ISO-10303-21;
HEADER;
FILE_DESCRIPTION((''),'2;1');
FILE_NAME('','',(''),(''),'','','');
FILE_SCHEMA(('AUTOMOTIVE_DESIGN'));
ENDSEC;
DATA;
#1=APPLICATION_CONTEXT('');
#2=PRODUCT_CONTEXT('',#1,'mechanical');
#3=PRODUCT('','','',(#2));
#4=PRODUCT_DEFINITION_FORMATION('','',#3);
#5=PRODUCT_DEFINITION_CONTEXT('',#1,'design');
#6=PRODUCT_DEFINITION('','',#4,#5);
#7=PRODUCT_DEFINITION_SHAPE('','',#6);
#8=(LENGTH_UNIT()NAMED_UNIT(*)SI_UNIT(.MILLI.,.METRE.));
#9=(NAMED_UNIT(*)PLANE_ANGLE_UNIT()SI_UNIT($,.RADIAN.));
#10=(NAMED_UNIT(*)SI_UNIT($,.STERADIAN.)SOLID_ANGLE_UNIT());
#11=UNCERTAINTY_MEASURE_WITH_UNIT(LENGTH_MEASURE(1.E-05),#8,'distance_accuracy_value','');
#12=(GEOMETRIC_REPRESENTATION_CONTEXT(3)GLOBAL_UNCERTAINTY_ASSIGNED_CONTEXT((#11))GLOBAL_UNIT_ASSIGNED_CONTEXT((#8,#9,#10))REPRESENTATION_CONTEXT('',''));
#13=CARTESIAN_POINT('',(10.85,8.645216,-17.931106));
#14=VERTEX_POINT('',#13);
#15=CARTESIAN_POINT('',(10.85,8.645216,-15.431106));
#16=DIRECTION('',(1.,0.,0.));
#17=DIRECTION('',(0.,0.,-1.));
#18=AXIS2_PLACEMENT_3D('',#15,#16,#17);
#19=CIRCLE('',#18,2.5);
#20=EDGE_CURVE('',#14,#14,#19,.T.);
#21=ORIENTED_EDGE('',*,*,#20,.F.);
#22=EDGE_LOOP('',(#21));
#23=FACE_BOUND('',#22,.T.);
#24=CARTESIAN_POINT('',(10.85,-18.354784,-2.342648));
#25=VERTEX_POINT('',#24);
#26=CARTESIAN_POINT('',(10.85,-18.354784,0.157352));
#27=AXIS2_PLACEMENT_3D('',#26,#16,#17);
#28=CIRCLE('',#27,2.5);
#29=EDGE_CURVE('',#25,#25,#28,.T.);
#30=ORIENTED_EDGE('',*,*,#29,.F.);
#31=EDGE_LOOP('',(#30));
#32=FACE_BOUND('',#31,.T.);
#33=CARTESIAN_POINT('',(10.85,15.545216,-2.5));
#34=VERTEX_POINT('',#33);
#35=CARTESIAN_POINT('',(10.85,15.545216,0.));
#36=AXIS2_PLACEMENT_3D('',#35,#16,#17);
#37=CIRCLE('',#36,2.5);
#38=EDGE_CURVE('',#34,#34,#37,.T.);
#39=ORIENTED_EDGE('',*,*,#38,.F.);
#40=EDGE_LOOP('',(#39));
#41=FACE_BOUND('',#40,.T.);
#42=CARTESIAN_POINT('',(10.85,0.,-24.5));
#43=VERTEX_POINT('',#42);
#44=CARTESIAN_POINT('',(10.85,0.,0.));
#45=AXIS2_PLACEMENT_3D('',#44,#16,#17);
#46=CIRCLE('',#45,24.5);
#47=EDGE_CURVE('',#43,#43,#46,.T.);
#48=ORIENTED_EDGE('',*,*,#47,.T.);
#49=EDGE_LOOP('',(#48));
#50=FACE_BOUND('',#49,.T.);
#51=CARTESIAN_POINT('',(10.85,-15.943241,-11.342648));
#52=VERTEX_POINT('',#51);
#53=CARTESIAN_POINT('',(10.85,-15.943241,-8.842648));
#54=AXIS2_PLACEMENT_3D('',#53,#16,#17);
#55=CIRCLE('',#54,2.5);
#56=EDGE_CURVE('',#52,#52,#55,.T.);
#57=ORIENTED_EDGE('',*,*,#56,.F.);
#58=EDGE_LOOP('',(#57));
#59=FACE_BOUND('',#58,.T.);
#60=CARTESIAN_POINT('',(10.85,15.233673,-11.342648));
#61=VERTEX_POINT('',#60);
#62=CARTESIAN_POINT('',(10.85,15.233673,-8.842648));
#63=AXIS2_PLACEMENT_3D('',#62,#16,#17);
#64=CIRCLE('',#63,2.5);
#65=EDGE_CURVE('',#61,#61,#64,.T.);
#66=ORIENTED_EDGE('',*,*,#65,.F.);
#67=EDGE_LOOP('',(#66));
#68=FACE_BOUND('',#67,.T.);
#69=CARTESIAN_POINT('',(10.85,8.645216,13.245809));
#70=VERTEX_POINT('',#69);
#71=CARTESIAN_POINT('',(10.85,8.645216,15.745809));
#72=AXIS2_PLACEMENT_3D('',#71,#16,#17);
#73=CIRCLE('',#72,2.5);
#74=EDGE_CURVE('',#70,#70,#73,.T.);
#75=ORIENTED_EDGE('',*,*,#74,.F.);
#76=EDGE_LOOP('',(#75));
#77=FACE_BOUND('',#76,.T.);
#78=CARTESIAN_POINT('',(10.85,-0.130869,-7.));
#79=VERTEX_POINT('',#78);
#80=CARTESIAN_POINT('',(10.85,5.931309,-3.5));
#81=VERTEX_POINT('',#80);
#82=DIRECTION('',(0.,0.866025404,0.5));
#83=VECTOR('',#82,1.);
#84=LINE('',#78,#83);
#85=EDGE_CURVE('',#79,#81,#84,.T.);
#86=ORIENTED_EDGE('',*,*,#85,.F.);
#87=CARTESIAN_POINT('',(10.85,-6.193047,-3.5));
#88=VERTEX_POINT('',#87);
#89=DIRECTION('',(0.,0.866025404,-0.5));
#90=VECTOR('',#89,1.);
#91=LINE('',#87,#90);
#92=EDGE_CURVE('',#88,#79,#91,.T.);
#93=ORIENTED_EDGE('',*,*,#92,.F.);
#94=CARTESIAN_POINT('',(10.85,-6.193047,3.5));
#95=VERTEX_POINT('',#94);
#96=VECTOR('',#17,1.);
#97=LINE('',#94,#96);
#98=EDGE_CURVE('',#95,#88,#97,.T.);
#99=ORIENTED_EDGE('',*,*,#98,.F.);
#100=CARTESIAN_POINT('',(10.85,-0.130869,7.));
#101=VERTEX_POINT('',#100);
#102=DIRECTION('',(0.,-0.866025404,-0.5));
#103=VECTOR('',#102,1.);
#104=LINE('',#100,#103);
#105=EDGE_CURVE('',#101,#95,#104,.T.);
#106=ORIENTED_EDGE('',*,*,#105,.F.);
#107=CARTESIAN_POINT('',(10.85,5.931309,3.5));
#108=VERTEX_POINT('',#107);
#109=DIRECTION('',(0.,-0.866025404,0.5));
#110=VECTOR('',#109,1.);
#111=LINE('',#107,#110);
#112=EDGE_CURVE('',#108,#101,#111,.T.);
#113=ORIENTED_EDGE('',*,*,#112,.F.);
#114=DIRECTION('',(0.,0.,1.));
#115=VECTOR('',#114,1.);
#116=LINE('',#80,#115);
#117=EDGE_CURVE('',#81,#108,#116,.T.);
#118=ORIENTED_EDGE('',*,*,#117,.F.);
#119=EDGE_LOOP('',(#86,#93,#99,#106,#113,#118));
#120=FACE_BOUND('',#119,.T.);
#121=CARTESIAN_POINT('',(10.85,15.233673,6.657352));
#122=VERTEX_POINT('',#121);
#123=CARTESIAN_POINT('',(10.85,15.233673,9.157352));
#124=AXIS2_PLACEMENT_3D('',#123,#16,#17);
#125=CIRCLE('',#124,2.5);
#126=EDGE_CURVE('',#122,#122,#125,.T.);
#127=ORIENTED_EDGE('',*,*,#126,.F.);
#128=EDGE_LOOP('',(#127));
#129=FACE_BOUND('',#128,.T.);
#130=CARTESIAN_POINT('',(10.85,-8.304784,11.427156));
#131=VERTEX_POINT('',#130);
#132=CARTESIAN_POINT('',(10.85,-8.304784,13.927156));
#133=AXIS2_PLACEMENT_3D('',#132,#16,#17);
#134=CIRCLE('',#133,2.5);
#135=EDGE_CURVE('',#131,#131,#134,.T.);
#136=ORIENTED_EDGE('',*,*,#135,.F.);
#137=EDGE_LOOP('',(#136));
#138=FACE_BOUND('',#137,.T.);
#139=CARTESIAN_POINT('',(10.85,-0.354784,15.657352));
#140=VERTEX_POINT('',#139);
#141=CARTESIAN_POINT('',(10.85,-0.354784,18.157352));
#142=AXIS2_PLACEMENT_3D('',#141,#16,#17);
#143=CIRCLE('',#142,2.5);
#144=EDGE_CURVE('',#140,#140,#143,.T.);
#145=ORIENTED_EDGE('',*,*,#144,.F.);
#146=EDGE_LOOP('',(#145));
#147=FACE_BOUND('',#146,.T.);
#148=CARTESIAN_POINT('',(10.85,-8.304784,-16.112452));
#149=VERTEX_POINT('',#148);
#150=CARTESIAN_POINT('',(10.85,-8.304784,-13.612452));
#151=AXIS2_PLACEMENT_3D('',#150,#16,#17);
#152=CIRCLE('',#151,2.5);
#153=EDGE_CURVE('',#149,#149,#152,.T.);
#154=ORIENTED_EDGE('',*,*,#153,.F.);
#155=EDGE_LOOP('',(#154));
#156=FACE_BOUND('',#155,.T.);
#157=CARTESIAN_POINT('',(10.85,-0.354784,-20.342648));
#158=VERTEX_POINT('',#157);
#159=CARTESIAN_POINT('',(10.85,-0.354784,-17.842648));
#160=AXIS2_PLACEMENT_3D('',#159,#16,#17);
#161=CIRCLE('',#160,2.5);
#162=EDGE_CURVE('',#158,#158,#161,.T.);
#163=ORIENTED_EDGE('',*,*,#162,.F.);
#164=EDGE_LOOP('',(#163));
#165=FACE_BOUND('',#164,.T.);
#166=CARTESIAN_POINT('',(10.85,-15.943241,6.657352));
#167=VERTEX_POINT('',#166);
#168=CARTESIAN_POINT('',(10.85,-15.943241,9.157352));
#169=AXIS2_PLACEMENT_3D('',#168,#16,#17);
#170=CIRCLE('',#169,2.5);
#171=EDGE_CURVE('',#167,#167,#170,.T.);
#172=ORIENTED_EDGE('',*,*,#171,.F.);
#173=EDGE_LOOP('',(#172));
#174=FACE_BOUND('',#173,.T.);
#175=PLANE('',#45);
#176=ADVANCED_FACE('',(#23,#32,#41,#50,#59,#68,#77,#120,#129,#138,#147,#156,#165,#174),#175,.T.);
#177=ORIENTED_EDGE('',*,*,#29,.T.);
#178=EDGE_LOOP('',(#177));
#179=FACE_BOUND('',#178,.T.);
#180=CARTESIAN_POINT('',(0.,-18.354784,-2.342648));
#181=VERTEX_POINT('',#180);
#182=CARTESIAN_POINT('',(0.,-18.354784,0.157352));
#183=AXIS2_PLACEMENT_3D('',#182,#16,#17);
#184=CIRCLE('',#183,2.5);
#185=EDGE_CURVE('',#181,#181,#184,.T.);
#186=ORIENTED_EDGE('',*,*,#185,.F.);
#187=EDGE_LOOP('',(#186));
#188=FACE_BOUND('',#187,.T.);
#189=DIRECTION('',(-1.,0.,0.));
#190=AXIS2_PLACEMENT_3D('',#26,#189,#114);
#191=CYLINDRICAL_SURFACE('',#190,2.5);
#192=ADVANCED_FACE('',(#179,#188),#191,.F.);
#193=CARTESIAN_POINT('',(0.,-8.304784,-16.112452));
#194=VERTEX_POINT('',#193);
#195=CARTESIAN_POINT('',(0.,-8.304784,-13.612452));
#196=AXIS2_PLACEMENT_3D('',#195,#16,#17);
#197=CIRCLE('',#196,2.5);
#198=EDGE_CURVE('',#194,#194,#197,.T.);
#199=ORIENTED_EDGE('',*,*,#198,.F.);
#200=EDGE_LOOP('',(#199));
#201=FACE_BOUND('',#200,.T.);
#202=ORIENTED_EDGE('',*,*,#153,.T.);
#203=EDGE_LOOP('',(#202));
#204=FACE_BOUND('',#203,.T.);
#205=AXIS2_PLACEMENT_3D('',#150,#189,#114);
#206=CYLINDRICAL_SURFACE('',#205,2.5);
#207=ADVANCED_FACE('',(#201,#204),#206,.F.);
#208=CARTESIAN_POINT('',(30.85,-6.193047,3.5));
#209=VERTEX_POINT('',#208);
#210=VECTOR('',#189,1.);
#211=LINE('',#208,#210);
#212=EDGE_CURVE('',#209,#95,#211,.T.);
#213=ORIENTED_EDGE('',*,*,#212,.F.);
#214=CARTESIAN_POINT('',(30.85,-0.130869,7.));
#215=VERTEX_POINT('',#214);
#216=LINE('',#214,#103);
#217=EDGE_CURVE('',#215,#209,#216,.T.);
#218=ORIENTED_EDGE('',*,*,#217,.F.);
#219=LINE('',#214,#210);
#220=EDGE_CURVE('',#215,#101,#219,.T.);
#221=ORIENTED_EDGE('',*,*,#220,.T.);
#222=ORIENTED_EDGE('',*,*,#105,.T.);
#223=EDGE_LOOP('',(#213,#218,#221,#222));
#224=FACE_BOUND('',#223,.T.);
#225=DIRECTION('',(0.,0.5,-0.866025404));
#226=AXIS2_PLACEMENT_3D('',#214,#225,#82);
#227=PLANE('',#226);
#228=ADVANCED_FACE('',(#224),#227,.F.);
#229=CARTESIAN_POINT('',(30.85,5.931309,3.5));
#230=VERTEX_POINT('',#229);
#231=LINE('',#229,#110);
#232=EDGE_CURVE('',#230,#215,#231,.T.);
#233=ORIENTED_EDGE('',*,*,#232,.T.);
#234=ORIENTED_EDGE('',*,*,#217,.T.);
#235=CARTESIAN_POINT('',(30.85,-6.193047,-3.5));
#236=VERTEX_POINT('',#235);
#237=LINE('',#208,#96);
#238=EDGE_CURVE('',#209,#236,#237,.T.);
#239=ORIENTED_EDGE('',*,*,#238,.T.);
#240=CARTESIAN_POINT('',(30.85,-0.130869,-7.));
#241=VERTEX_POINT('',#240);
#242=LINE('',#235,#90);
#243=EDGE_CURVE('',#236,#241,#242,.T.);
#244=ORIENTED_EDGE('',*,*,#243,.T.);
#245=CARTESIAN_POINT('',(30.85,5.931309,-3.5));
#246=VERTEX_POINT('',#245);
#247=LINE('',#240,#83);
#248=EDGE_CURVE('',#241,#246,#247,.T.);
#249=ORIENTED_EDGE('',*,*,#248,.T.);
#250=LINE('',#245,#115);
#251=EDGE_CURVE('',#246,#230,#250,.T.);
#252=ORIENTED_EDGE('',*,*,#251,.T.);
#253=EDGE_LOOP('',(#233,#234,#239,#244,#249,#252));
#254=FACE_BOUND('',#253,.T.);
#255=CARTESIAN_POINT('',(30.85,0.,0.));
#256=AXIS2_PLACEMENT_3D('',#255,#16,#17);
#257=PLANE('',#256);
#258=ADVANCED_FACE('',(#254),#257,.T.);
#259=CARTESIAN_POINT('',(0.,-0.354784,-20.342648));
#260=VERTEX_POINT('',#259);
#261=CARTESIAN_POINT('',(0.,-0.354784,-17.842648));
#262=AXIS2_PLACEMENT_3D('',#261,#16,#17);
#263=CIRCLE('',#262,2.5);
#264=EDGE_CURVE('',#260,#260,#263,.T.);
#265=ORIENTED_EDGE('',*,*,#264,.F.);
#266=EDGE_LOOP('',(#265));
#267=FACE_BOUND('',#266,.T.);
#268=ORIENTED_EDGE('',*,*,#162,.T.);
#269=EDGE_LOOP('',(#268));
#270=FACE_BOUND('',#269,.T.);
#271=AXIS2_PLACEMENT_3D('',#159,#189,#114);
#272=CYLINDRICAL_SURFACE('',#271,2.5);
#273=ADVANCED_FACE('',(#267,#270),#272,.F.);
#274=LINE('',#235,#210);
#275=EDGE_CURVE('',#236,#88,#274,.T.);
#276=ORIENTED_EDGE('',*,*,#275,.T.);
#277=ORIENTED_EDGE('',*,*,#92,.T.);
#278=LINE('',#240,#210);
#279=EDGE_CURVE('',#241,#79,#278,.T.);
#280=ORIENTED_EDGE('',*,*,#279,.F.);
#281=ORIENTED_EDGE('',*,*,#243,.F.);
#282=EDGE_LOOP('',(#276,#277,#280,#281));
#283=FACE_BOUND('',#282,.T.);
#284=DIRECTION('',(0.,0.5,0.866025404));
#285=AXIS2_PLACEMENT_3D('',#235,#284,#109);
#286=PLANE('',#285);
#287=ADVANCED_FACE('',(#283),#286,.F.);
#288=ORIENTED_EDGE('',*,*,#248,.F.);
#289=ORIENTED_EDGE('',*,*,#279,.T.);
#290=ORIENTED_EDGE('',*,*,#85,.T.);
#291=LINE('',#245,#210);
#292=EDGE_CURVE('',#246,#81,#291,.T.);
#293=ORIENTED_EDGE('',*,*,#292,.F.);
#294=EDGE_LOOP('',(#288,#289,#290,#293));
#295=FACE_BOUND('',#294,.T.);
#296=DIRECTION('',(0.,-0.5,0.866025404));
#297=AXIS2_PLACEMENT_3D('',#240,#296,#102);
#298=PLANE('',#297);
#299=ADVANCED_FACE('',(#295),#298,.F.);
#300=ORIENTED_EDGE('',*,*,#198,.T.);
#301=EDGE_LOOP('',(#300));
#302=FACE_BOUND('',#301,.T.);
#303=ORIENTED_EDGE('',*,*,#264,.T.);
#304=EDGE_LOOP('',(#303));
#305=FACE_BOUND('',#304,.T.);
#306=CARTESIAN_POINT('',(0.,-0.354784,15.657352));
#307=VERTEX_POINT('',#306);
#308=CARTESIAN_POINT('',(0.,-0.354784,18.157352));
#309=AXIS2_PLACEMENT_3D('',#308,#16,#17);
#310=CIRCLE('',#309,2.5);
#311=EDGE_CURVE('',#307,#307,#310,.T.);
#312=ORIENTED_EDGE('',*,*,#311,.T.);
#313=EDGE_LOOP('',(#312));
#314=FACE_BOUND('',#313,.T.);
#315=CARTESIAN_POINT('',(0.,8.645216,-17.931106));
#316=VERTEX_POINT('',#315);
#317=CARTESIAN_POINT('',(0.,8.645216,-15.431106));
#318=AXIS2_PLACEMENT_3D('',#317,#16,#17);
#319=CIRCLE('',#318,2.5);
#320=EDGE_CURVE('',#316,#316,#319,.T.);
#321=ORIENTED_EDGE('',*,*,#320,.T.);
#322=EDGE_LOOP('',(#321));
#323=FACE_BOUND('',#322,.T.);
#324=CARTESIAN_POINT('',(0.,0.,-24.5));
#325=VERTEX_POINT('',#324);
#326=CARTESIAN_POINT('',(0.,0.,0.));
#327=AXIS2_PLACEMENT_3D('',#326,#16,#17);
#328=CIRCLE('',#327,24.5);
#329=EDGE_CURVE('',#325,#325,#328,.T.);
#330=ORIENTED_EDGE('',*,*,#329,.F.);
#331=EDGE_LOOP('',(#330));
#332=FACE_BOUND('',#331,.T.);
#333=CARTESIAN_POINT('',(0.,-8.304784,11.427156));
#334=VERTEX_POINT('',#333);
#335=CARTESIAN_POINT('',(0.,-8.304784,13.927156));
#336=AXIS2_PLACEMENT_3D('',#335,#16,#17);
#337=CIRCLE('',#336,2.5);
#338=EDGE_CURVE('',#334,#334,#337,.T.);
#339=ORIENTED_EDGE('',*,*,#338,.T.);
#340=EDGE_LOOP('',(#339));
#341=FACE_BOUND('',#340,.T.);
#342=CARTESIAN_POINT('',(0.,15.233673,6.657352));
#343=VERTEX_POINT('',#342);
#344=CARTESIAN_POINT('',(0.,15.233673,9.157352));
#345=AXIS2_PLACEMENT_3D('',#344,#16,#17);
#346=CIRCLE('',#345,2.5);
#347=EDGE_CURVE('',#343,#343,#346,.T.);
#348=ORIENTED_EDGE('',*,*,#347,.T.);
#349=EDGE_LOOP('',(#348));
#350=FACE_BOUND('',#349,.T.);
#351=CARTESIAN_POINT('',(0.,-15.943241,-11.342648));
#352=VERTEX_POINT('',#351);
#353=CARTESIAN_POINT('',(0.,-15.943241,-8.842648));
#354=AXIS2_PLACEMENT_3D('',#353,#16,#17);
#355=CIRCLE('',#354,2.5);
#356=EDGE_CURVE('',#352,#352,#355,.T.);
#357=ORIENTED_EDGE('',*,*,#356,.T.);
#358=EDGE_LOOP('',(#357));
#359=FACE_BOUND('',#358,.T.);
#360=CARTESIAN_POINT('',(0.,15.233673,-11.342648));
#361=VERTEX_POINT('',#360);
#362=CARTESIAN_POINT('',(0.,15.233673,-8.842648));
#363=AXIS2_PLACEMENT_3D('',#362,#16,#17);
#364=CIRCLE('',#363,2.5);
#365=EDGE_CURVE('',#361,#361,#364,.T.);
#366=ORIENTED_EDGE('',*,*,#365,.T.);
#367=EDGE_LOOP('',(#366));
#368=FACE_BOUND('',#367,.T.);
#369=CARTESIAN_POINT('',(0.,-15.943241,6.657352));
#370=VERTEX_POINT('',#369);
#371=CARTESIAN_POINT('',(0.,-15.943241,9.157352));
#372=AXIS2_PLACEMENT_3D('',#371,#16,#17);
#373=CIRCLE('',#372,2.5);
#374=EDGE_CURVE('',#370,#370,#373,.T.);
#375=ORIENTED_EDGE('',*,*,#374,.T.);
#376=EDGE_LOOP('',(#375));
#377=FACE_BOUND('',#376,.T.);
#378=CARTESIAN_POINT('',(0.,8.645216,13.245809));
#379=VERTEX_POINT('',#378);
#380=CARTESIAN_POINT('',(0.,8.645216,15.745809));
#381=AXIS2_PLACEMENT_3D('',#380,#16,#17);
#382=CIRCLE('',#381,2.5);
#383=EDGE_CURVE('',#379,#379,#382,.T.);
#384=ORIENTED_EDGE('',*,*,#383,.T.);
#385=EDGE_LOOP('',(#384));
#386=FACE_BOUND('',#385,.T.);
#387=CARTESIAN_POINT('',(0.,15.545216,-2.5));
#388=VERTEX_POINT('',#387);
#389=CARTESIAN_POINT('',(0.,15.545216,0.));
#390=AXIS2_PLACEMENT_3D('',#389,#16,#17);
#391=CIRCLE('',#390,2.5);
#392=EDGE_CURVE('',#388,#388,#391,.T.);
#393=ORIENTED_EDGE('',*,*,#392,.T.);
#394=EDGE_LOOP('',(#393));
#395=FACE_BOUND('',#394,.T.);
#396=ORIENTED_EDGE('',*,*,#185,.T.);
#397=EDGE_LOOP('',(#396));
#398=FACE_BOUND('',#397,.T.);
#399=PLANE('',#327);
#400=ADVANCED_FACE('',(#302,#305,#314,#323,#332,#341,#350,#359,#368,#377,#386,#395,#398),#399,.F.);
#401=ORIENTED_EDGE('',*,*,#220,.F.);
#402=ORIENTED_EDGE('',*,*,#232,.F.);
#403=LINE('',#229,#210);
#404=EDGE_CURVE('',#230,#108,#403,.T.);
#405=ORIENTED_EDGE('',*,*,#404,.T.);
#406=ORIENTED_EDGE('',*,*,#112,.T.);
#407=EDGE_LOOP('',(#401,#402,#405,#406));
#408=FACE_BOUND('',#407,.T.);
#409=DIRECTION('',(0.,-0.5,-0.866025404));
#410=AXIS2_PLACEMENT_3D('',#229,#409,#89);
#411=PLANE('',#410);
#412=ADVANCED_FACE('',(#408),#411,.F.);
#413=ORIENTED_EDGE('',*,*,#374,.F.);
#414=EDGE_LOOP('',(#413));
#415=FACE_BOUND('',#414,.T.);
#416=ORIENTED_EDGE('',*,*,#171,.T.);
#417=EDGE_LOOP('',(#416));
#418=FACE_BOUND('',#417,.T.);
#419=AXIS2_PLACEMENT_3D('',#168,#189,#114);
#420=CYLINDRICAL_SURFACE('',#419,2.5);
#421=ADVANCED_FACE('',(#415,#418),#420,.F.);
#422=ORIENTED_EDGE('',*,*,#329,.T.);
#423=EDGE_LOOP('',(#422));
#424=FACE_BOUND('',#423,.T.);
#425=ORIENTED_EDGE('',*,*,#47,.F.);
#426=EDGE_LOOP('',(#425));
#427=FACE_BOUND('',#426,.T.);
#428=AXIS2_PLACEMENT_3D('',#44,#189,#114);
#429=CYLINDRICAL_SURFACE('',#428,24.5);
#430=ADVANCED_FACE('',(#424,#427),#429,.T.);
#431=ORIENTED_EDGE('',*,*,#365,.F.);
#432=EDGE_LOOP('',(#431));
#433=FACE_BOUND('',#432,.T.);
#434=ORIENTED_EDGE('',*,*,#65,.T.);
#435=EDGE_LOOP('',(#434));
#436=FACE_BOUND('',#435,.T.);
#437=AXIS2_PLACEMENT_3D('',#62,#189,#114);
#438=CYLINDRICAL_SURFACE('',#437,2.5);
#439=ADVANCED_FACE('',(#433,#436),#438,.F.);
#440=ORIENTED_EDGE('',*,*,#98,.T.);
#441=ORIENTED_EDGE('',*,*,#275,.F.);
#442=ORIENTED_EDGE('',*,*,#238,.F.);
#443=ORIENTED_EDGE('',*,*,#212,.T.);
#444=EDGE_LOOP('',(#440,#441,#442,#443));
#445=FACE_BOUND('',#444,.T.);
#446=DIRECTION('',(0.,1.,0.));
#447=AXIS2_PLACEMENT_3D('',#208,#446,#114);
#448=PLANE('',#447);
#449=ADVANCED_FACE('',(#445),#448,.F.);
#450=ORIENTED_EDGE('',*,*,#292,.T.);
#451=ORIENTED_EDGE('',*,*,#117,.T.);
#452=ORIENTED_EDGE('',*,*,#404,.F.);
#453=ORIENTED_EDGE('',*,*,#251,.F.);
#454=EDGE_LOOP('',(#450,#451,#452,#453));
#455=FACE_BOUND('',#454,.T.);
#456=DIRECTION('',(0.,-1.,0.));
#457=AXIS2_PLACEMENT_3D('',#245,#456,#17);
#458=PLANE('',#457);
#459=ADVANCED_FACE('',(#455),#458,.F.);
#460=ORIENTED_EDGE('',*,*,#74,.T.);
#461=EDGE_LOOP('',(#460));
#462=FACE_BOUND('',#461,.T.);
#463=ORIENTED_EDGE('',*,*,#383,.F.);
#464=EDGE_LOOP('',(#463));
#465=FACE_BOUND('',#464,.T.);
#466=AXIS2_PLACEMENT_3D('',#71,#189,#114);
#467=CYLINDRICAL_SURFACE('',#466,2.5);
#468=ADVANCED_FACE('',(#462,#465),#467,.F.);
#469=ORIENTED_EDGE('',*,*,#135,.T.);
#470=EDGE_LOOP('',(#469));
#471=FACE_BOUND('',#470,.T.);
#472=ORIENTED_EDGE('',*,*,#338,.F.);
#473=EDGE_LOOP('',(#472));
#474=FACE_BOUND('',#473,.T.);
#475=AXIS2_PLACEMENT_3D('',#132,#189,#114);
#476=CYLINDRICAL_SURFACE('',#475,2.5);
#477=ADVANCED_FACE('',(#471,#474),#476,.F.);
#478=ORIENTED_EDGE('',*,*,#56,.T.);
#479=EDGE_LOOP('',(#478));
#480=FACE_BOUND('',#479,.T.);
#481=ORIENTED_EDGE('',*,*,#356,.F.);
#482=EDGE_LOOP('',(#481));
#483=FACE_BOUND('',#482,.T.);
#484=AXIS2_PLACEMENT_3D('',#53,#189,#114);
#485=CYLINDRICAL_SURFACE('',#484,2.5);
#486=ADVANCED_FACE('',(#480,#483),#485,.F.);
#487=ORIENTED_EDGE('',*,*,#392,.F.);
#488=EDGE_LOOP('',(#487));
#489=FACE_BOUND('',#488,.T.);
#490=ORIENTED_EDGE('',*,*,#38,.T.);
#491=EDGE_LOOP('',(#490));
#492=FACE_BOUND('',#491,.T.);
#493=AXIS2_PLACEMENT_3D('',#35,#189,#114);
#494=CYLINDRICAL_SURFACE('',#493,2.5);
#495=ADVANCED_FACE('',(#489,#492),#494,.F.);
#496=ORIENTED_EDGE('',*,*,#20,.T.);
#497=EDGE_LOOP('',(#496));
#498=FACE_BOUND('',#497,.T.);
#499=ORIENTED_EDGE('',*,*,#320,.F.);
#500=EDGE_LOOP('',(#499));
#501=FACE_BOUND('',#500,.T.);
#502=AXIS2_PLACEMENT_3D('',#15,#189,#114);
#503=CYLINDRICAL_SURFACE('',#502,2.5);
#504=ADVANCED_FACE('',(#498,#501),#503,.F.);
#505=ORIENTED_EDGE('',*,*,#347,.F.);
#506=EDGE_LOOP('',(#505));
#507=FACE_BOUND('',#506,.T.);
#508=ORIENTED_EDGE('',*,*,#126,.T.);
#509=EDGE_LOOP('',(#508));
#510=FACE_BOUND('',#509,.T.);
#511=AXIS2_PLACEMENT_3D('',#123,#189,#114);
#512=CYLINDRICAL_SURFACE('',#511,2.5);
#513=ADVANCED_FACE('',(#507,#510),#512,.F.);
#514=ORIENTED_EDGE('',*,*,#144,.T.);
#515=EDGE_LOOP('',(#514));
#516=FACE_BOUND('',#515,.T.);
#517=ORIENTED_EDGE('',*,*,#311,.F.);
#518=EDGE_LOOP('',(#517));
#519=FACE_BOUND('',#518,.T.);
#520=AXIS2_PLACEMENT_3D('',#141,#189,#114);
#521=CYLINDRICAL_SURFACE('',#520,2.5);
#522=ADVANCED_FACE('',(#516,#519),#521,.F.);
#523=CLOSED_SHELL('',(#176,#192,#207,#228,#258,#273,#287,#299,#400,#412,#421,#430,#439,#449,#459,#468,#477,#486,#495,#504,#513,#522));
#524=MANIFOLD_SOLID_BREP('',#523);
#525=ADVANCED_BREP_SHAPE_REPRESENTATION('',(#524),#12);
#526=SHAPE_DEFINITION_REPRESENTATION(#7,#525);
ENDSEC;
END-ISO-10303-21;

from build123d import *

# Parameters (mm, degrees)
SKETCH1_R           = 24.5
SKETCH1_R_2         = 2.5
BOSS_EXTRUDE1_DEPTH = 10.85
BOSS_EXTRUDE2_DEPTH = 20


with BuildPart() as part:
    # Sketch1 → Boss-Extrude1 (new body)
    with BuildSketch(Plane(origin=(0, 0, 0), x_dir=(0, 0, -1), z_dir=(1, 0, 0))):
        Circle(SKETCH1_R)
        with Locations((0, 15.545215773)):
            Circle(SKETCH1_R_2, mode=Mode.SUBTRACT)
        with Locations((13.612452271, -8.304784227)):
            Circle(SKETCH1_R_2, mode=Mode.SUBTRACT)
        with Locations((-13.927155569, -8.304784227)):
            Circle(SKETCH1_R_2, mode=Mode.SUBTRACT)
        with Locations((8.842648351, 15.233673041)):
            Circle(SKETCH1_R_2, mode=Mode.SUBTRACT)
        with Locations((15.431105619, 8.645215773)):
            Circle(SKETCH1_R_2, mode=Mode.SUBTRACT)
        with Locations((17.842648351, -0.354784227)):
            Circle(SKETCH1_R_2, mode=Mode.SUBTRACT)
        with Locations((8.842648351, -15.943241495)):
            Circle(SKETCH1_R_2, mode=Mode.SUBTRACT)
        with Locations((-0.157351649, -18.354784227)):
            Circle(SKETCH1_R_2, mode=Mode.SUBTRACT)
        with Locations((-9.157351649, -15.943241495)):
            Circle(SKETCH1_R_2, mode=Mode.SUBTRACT)
        with Locations((-18.157351649, -0.354784227)):
            Circle(SKETCH1_R_2, mode=Mode.SUBTRACT)
        with Locations((-15.745808917, 8.645215773)):
            Circle(SKETCH1_R_2, mode=Mode.SUBTRACT)
        with Locations((-9.157351649, 15.233673041)):
            Circle(SKETCH1_R_2, mode=Mode.SUBTRACT)
    extrude(amount=BOSS_EXTRUDE1_DEPTH)

    # Sketch4 → Boss-Extrude2 (add)
    with BuildSketch(Plane(origin=(10.85, 0, 0), x_dir=(0, 0, -1), z_dir=(1, 0, 0))):
        Polygon((7, -0.130869058), (3.5, 5.931308769), (-3.5, 5.931308769), (-7, -0.130869058), (-3.5, -6.193046884), (3.5, -6.193046884), align=None)
    extrude(amount=BOSS_EXTRUDE2_DEPTH)


solid = part.part
